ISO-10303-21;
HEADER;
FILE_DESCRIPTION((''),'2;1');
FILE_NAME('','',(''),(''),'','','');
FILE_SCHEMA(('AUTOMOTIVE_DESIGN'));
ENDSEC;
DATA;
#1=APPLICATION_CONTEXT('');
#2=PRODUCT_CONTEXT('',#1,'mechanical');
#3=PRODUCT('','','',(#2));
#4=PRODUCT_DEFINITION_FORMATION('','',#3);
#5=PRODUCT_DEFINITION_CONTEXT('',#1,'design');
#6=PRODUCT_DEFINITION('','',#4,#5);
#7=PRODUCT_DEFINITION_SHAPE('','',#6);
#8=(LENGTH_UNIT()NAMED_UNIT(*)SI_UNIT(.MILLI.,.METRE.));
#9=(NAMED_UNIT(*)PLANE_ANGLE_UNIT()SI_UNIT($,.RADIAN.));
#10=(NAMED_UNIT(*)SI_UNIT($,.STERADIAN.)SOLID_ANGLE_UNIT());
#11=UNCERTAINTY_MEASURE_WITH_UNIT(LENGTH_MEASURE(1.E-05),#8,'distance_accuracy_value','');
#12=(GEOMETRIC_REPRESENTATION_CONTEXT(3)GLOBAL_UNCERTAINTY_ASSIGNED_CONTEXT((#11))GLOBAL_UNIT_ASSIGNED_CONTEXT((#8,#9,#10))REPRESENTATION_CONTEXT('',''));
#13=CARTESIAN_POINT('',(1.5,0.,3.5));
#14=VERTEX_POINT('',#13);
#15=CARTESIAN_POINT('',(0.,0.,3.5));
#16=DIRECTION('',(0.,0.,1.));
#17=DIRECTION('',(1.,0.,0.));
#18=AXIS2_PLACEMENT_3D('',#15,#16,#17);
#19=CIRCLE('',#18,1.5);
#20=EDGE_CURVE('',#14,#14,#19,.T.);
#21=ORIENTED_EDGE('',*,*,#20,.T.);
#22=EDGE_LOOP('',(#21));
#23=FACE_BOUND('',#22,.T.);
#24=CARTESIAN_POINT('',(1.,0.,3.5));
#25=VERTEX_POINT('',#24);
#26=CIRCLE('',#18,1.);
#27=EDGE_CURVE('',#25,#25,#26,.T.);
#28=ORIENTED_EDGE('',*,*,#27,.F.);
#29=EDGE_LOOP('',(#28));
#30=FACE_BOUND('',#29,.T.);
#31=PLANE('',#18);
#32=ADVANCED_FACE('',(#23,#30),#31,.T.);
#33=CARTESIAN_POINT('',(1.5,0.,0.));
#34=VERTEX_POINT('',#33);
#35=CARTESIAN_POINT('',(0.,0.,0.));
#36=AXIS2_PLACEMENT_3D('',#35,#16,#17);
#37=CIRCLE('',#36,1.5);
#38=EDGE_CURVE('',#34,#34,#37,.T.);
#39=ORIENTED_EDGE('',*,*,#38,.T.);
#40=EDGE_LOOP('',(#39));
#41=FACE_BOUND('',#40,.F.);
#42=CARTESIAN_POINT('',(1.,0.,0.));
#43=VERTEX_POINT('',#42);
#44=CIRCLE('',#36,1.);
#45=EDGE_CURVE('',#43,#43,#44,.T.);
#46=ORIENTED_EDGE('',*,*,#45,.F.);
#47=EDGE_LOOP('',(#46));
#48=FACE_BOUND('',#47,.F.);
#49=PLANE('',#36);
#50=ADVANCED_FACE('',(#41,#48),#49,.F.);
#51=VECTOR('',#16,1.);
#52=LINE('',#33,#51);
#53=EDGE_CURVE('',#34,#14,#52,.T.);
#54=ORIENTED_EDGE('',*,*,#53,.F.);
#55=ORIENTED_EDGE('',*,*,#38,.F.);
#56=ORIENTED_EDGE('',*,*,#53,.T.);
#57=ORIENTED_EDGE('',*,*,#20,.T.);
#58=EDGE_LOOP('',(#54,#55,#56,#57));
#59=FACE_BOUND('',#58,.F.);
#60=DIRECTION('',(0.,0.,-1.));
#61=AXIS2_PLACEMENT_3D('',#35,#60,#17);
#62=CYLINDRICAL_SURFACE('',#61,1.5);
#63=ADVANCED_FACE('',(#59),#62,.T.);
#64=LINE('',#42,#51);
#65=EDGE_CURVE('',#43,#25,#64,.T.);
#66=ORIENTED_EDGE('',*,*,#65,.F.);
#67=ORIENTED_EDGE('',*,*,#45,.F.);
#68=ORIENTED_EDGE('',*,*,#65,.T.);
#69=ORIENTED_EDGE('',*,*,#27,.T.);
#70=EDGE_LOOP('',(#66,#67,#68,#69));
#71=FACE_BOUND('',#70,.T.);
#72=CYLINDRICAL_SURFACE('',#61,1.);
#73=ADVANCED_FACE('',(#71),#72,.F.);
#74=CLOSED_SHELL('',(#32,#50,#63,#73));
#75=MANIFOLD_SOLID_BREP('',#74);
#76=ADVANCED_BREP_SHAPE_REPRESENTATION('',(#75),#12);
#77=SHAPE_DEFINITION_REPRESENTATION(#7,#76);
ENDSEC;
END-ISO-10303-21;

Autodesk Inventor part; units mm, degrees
ref_plane "YZ Plane" through (0, 0, 0) normal (1, 0, 0) x (0, 1, 0)
ref_plane "XZ Plane" through (0, 0, 0) normal (0, 1, 0) x (-1, 0, 0)
ref_plane "XY Plane" through (0, 0, 0) normal (0, 0, 1) x (1, 0, 0)
sketch "スケッチ1" plane through (0, 0, 0) normal (0, 0, 1) x (1, 0, 0)
  circle A0 centre (0, 0) radius 1
  circle A1 centre (0, 0) radius 1.5
  dimension "d0" = 2
  dimension "d1" = 3
extrude "押し出し1" add sketch "スケッチ1" along normal blind 3.5
properties part number "spacer_2_3_l3.5"
